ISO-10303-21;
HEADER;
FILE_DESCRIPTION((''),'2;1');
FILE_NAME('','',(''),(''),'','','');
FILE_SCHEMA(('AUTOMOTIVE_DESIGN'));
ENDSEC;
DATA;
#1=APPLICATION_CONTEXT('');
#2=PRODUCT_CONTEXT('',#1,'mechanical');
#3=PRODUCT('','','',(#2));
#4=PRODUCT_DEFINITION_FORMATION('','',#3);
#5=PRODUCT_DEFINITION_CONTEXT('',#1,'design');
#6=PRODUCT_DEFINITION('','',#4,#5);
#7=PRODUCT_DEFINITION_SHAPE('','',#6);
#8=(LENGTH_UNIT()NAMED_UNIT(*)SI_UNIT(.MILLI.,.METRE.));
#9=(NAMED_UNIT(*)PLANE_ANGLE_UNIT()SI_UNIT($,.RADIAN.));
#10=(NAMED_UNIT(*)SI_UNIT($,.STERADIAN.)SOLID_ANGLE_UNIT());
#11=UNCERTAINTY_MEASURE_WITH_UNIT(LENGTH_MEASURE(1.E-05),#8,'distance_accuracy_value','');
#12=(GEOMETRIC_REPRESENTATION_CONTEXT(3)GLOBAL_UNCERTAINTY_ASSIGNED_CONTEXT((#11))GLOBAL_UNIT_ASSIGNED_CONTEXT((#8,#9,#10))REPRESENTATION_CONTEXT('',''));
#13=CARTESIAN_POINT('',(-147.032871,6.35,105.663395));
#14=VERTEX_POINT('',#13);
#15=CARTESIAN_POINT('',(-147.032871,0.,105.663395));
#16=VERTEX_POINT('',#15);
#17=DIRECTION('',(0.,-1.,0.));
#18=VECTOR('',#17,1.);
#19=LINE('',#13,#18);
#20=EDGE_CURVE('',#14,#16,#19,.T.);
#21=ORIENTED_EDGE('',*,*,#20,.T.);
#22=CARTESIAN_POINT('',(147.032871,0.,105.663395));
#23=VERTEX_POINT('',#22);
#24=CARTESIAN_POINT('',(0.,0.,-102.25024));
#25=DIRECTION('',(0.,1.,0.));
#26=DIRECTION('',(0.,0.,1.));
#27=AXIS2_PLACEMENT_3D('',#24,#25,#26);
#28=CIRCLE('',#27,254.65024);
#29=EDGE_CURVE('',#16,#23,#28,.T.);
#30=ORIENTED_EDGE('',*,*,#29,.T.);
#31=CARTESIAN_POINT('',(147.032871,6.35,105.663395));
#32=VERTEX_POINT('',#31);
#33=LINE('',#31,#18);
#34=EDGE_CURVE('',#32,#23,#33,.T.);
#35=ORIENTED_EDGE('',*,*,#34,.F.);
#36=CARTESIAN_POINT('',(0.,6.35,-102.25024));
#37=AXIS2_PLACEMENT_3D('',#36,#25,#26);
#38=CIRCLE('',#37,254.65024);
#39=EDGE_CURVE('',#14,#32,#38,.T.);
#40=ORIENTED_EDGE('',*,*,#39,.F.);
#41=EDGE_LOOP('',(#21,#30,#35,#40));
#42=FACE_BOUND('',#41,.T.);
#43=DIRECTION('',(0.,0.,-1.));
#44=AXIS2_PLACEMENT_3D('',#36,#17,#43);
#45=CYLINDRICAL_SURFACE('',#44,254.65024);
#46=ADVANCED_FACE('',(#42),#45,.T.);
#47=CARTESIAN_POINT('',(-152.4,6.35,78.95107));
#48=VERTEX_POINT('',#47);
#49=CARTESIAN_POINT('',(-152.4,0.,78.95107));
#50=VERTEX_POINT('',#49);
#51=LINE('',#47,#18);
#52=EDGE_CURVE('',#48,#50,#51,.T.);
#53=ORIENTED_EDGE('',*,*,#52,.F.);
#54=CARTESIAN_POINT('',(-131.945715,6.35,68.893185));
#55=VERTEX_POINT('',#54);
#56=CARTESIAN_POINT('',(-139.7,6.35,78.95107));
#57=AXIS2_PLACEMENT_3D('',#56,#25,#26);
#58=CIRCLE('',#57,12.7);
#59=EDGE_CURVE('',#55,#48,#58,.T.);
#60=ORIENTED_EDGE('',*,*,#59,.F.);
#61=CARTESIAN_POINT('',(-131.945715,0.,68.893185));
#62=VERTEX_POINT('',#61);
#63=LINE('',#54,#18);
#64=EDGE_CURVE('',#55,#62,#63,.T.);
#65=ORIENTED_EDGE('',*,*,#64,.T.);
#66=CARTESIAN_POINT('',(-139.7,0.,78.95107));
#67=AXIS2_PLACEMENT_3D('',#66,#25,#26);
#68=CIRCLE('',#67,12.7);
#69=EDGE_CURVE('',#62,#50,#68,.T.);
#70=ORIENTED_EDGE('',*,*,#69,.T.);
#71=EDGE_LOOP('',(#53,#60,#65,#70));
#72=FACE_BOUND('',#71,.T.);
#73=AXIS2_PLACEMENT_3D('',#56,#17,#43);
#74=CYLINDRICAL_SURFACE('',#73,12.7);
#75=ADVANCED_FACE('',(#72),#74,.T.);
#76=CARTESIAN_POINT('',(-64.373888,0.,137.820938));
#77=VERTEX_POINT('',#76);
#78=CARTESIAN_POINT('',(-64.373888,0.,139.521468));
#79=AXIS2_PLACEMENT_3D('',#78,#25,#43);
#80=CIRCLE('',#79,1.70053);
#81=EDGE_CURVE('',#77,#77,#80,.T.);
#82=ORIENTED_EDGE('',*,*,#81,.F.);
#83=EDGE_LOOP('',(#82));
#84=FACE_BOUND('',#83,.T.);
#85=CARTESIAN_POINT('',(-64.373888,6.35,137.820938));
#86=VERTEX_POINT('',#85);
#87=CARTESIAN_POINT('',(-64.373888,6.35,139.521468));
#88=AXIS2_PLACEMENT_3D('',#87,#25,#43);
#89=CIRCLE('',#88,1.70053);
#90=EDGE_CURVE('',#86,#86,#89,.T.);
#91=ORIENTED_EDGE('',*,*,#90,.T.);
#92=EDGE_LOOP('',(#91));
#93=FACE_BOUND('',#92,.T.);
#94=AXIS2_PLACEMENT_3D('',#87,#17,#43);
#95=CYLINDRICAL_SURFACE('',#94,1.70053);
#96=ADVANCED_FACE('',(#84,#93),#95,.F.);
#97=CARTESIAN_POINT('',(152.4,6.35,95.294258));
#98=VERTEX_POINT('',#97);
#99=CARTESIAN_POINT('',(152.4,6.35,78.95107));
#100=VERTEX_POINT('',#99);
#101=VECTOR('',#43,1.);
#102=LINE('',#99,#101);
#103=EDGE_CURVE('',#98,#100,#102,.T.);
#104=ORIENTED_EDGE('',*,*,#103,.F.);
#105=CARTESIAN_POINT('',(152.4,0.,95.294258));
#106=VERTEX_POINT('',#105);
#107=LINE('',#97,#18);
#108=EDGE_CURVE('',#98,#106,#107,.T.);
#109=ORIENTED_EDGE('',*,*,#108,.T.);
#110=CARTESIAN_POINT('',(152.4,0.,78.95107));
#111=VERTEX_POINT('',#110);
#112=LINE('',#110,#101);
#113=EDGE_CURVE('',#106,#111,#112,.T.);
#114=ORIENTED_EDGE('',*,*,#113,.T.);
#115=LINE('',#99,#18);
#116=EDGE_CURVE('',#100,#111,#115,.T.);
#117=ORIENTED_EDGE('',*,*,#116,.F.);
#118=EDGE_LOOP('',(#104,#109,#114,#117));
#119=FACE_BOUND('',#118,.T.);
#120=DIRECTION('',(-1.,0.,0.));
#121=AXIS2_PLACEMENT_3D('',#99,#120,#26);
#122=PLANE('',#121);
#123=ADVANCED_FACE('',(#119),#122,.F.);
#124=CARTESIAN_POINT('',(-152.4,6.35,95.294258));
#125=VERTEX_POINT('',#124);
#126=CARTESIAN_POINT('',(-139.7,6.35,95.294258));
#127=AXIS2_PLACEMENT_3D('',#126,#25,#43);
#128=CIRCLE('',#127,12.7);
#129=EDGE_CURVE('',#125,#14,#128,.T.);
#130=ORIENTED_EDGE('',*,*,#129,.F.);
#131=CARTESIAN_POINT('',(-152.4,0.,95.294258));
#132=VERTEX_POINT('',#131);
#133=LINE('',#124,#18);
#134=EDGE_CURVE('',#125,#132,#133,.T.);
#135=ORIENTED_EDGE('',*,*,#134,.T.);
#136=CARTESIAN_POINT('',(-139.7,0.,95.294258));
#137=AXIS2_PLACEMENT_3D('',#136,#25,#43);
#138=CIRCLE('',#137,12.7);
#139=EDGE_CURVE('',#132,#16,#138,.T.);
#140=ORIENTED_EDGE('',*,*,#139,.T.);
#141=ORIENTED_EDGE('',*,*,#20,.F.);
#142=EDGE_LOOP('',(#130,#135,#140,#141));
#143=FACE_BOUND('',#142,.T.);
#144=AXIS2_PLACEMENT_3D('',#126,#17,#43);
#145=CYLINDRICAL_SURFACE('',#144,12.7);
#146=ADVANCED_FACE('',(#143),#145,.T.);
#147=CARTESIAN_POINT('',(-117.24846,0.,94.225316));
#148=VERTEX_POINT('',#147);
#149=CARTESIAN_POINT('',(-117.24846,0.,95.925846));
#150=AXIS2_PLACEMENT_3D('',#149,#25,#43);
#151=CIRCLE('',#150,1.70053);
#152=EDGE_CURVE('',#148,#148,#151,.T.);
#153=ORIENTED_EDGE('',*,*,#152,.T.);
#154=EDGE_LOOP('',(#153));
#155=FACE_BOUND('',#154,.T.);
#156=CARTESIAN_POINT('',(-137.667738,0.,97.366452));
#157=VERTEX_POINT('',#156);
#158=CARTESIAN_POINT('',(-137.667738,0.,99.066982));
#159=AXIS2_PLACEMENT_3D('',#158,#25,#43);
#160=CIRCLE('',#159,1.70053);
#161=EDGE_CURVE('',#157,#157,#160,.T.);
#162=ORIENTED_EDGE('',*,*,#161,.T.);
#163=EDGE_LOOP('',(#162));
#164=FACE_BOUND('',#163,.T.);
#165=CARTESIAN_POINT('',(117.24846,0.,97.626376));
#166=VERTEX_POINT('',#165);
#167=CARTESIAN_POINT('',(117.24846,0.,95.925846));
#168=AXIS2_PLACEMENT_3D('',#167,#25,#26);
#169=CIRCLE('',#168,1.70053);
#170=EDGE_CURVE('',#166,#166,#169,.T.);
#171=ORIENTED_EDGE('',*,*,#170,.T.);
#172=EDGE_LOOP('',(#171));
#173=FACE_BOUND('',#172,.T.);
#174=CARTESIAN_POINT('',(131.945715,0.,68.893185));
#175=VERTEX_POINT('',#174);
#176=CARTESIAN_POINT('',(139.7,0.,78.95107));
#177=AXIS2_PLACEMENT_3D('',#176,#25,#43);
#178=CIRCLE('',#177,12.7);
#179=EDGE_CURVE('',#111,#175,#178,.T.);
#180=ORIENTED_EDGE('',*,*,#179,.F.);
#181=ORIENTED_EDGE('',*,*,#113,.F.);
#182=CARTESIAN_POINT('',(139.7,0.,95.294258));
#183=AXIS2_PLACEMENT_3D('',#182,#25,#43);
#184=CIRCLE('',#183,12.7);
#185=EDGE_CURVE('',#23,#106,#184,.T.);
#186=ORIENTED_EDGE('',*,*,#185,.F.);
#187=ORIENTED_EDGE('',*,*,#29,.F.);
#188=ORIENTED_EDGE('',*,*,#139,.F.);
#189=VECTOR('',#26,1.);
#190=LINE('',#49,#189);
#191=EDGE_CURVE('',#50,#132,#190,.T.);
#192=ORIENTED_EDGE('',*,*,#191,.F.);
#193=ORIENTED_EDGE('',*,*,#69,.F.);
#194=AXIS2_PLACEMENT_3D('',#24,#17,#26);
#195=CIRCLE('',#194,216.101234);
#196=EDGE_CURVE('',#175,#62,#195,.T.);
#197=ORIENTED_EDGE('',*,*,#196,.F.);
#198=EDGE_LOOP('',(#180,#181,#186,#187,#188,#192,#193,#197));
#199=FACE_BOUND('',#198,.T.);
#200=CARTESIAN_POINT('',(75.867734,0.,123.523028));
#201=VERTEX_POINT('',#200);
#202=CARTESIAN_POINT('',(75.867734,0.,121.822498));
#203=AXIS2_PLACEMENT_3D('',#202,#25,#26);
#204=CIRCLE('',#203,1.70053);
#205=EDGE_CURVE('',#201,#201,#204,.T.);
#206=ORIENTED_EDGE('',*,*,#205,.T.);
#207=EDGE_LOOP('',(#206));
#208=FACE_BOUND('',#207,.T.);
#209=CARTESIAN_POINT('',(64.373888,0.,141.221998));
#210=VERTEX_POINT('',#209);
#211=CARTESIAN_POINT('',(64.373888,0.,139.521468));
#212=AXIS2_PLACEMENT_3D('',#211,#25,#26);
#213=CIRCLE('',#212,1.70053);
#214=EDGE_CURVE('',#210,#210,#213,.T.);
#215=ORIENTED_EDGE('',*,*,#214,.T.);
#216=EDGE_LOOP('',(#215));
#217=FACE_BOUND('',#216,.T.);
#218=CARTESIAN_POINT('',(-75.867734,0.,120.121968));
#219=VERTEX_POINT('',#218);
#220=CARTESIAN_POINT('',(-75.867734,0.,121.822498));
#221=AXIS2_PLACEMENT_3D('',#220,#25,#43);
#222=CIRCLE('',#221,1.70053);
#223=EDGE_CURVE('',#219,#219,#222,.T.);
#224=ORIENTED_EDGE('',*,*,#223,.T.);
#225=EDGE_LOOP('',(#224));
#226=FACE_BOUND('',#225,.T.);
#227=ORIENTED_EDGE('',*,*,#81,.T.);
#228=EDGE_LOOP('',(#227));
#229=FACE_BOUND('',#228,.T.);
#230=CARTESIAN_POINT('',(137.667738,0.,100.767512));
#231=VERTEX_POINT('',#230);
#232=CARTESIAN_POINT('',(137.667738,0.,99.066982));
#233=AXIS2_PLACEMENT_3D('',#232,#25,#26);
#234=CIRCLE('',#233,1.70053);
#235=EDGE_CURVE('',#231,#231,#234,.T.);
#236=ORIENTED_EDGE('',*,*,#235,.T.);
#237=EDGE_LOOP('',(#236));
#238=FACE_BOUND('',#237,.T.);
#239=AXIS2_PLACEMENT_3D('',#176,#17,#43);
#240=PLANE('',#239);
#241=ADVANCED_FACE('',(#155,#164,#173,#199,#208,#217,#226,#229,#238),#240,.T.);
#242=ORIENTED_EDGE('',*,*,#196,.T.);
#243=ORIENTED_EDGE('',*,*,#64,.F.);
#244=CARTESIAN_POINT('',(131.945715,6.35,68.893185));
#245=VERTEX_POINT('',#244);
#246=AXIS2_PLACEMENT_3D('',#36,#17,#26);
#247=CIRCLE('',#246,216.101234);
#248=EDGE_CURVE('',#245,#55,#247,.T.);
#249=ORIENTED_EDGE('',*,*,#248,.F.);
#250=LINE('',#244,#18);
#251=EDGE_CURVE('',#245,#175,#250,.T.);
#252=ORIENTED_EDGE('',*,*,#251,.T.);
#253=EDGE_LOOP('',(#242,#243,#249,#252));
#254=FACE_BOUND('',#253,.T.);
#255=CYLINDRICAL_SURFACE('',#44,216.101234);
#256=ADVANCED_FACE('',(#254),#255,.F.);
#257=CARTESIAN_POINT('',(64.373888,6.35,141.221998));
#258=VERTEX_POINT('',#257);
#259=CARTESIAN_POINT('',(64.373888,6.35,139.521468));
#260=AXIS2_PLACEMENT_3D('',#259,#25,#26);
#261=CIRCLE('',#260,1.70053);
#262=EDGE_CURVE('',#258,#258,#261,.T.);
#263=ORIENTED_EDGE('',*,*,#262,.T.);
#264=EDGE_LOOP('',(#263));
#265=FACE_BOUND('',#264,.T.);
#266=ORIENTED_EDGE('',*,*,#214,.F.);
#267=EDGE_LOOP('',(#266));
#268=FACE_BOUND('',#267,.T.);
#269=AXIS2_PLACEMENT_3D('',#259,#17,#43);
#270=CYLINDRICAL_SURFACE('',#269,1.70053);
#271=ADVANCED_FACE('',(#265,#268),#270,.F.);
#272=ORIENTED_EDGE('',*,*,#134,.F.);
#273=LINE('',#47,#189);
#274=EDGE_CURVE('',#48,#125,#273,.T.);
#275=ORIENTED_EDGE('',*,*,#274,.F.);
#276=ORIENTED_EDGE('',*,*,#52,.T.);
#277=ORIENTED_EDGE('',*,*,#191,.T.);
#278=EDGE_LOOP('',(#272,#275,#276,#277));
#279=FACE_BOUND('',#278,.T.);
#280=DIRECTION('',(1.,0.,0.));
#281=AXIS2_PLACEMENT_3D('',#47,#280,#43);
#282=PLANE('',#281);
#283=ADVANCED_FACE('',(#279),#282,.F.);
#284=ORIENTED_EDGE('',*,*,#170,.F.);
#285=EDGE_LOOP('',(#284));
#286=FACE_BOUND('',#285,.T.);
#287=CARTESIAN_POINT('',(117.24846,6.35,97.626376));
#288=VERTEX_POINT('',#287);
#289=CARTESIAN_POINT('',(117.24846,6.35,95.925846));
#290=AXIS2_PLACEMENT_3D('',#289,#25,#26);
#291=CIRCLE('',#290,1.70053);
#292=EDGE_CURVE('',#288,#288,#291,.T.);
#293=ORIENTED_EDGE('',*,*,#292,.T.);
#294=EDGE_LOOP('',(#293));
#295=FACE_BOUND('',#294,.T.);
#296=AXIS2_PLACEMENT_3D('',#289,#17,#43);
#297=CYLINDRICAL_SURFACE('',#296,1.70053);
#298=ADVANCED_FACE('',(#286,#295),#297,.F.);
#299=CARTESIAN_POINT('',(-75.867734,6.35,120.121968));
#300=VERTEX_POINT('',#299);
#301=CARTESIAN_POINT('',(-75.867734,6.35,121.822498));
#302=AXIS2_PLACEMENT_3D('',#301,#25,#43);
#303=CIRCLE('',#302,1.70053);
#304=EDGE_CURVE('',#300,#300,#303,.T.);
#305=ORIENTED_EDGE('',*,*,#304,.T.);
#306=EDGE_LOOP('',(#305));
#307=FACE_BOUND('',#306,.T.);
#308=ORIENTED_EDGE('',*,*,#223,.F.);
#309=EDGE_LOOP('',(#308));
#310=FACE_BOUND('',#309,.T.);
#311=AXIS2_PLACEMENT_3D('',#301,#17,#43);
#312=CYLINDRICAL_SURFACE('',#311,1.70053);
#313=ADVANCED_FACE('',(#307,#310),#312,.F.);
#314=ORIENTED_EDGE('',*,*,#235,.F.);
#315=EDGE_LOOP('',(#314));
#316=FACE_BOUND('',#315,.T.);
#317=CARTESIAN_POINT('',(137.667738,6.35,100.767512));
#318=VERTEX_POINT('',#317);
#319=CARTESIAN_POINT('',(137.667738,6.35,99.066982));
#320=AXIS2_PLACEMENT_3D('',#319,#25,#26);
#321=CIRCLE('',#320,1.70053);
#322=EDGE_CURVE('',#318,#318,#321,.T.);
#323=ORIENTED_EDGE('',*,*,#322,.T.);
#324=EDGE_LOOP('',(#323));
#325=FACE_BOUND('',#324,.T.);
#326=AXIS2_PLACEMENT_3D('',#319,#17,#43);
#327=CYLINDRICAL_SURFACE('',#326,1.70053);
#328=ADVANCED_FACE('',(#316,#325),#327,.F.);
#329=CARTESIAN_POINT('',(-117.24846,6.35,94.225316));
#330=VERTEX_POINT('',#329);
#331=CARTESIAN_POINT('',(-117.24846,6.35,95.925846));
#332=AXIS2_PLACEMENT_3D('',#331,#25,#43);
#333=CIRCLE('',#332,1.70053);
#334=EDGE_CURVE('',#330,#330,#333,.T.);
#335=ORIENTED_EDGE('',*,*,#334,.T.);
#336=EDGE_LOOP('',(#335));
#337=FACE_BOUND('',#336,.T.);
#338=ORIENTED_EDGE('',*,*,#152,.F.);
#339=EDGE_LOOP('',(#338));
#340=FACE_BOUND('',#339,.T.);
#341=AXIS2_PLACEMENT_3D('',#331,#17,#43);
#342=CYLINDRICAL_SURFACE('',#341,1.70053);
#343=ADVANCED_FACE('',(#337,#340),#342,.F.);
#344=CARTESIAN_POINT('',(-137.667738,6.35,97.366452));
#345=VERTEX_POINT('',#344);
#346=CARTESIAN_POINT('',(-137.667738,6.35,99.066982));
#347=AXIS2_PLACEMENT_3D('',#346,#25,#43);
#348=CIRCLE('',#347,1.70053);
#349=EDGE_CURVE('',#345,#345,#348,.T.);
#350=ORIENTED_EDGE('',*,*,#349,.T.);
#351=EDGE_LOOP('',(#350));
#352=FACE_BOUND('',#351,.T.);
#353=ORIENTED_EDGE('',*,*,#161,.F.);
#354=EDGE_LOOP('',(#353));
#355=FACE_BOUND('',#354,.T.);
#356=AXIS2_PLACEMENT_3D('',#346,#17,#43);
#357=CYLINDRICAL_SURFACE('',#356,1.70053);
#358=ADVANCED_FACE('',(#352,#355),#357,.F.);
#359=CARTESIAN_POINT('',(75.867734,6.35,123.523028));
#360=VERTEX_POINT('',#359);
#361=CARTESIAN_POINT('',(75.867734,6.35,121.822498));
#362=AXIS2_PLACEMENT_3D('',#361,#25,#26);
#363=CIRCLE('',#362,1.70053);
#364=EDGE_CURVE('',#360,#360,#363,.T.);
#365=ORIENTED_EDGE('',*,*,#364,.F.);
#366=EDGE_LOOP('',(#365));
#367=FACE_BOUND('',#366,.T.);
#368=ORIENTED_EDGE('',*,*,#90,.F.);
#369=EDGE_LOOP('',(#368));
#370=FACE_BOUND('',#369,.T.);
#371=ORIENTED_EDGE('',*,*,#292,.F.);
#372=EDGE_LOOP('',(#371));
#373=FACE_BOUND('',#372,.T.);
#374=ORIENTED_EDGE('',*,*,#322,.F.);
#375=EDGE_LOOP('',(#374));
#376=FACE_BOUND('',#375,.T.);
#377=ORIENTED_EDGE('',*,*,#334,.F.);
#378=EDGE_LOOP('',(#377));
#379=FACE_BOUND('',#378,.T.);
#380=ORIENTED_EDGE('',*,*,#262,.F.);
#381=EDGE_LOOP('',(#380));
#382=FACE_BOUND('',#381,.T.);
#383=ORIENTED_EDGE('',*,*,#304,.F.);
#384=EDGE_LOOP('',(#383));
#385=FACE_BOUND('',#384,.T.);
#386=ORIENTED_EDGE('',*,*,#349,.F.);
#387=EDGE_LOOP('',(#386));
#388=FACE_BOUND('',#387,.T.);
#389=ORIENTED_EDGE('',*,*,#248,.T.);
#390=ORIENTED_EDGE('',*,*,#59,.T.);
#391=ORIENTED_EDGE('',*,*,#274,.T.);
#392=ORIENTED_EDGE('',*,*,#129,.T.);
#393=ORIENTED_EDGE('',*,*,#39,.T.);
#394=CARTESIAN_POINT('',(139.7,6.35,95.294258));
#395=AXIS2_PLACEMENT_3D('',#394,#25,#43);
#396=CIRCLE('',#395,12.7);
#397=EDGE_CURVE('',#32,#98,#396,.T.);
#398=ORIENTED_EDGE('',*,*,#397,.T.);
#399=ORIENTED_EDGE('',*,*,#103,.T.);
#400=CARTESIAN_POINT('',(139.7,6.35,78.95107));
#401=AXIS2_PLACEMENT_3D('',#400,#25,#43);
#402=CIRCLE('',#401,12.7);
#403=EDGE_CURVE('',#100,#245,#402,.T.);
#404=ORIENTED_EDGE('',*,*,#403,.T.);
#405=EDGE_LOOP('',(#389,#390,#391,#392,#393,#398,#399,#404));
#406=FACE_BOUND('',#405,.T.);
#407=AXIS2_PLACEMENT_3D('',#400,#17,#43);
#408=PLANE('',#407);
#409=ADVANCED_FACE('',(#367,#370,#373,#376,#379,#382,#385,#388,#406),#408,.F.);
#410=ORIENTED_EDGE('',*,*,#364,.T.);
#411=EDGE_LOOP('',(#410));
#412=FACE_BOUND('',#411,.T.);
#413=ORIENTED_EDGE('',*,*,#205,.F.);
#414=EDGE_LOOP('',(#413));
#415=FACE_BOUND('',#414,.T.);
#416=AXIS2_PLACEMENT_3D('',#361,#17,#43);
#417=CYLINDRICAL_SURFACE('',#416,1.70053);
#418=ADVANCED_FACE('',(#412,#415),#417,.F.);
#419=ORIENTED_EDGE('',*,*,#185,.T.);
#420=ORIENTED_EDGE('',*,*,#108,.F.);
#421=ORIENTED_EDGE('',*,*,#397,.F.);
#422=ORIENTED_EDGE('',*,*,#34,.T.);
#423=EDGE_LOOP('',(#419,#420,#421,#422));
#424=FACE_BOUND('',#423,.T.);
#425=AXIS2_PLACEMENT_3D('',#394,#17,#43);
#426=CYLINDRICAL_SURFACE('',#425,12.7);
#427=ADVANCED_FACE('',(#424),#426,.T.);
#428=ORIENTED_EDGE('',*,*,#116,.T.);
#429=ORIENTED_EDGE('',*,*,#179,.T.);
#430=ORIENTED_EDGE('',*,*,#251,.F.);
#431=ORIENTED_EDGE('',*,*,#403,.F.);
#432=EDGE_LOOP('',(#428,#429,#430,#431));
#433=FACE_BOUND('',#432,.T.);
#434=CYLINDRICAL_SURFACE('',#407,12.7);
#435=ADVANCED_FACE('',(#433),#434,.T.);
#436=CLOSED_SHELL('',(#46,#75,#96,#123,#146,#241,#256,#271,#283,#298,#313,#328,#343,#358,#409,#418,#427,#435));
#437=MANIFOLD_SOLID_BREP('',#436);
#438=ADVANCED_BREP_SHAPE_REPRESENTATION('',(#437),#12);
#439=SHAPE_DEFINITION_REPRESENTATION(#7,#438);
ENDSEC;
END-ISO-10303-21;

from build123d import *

# Parameters (mm, degrees)
SKETCH1_R           = 1.70053
BOSS_EXTRUDE1_DEPTH = 6.35


with BuildPart() as part:
    # Sketch1 → Boss-Extrude1 (new body)
    with BuildSketch(Plane(origin=(0, 0, 0), x_dir=(1, 0, 0), z_dir=(0, 1, 0))):
        with BuildLine():
            Line((152.4, -78.951070218), (152.4, -95.294257863))
            ThreePointArc((152.4, -95.294257863), (150.97868492, -101.132174142), (147.03287142, -105.663394603))
            ThreePointArc((147.03287142, -105.663394603), (0, -152.4), (-147.03287142, -105.663394603))
            ThreePointArc((-147.03287142, -105.663394603), (-150.97868492, -101.132174142), (-152.4, -95.294257863))
            Line((-152.4, -95.294257863), (-152.4, -78.951070218))
            ThreePointArc((-152.4, -78.951070218), (-145.304042262, -67.554372875), (-131.945714909, -68.893184619))
            ThreePointArc((-131.945714909, -68.893184619), (0, -113.850994317), (131.945714909, -68.893184619))
            ThreePointArc((131.945714909, -68.893184619), (145.304042262, -67.554372875), (152.4, -78.951070218))
        make_face()
        with Locations(Location((117.248460029, -95.925846163, 0), (0, 0, 270))):
            Circle(SKETCH1_R, mode=Mode.SUBTRACT)
        with Locations(Location((137.667738303, -99.066982467, 0), (0, 0, 270))):
            Circle(SKETCH1_R, mode=Mode.SUBTRACT)
        with Locations(Location((75.867733859, -121.822498113, 0), (0, 0, 270))):
            Circle(SKETCH1_R, mode=Mode.SUBTRACT)
        with Locations(Location((64.373888493, -139.521467891, 0), (0, 0, 270))):
            Circle(SKETCH1_R, mode=Mode.SUBTRACT)
        with Locations(Location((-117.248460029, -95.925846163, 0), (0, 0, 90))):
            Circle(SKETCH1_R, mode=Mode.SUBTRACT)
        with Locations(Location((-137.667738303, -99.066982467, 0), (0, 0, 90))):
            Circle(SKETCH1_R, mode=Mode.SUBTRACT)
        with Locations(Location((-64.373888493, -139.521467891, 0), (0, 0, 90))):
            Circle(SKETCH1_R, mode=Mode.SUBTRACT)
        with Locations(Location((-75.867733859, -121.822498113, 0), (0, 0, 90))):
            Circle(SKETCH1_R, mode=Mode.SUBTRACT)
    extrude(amount=BOSS_EXTRUDE1_DEPTH)


solid = part.part
